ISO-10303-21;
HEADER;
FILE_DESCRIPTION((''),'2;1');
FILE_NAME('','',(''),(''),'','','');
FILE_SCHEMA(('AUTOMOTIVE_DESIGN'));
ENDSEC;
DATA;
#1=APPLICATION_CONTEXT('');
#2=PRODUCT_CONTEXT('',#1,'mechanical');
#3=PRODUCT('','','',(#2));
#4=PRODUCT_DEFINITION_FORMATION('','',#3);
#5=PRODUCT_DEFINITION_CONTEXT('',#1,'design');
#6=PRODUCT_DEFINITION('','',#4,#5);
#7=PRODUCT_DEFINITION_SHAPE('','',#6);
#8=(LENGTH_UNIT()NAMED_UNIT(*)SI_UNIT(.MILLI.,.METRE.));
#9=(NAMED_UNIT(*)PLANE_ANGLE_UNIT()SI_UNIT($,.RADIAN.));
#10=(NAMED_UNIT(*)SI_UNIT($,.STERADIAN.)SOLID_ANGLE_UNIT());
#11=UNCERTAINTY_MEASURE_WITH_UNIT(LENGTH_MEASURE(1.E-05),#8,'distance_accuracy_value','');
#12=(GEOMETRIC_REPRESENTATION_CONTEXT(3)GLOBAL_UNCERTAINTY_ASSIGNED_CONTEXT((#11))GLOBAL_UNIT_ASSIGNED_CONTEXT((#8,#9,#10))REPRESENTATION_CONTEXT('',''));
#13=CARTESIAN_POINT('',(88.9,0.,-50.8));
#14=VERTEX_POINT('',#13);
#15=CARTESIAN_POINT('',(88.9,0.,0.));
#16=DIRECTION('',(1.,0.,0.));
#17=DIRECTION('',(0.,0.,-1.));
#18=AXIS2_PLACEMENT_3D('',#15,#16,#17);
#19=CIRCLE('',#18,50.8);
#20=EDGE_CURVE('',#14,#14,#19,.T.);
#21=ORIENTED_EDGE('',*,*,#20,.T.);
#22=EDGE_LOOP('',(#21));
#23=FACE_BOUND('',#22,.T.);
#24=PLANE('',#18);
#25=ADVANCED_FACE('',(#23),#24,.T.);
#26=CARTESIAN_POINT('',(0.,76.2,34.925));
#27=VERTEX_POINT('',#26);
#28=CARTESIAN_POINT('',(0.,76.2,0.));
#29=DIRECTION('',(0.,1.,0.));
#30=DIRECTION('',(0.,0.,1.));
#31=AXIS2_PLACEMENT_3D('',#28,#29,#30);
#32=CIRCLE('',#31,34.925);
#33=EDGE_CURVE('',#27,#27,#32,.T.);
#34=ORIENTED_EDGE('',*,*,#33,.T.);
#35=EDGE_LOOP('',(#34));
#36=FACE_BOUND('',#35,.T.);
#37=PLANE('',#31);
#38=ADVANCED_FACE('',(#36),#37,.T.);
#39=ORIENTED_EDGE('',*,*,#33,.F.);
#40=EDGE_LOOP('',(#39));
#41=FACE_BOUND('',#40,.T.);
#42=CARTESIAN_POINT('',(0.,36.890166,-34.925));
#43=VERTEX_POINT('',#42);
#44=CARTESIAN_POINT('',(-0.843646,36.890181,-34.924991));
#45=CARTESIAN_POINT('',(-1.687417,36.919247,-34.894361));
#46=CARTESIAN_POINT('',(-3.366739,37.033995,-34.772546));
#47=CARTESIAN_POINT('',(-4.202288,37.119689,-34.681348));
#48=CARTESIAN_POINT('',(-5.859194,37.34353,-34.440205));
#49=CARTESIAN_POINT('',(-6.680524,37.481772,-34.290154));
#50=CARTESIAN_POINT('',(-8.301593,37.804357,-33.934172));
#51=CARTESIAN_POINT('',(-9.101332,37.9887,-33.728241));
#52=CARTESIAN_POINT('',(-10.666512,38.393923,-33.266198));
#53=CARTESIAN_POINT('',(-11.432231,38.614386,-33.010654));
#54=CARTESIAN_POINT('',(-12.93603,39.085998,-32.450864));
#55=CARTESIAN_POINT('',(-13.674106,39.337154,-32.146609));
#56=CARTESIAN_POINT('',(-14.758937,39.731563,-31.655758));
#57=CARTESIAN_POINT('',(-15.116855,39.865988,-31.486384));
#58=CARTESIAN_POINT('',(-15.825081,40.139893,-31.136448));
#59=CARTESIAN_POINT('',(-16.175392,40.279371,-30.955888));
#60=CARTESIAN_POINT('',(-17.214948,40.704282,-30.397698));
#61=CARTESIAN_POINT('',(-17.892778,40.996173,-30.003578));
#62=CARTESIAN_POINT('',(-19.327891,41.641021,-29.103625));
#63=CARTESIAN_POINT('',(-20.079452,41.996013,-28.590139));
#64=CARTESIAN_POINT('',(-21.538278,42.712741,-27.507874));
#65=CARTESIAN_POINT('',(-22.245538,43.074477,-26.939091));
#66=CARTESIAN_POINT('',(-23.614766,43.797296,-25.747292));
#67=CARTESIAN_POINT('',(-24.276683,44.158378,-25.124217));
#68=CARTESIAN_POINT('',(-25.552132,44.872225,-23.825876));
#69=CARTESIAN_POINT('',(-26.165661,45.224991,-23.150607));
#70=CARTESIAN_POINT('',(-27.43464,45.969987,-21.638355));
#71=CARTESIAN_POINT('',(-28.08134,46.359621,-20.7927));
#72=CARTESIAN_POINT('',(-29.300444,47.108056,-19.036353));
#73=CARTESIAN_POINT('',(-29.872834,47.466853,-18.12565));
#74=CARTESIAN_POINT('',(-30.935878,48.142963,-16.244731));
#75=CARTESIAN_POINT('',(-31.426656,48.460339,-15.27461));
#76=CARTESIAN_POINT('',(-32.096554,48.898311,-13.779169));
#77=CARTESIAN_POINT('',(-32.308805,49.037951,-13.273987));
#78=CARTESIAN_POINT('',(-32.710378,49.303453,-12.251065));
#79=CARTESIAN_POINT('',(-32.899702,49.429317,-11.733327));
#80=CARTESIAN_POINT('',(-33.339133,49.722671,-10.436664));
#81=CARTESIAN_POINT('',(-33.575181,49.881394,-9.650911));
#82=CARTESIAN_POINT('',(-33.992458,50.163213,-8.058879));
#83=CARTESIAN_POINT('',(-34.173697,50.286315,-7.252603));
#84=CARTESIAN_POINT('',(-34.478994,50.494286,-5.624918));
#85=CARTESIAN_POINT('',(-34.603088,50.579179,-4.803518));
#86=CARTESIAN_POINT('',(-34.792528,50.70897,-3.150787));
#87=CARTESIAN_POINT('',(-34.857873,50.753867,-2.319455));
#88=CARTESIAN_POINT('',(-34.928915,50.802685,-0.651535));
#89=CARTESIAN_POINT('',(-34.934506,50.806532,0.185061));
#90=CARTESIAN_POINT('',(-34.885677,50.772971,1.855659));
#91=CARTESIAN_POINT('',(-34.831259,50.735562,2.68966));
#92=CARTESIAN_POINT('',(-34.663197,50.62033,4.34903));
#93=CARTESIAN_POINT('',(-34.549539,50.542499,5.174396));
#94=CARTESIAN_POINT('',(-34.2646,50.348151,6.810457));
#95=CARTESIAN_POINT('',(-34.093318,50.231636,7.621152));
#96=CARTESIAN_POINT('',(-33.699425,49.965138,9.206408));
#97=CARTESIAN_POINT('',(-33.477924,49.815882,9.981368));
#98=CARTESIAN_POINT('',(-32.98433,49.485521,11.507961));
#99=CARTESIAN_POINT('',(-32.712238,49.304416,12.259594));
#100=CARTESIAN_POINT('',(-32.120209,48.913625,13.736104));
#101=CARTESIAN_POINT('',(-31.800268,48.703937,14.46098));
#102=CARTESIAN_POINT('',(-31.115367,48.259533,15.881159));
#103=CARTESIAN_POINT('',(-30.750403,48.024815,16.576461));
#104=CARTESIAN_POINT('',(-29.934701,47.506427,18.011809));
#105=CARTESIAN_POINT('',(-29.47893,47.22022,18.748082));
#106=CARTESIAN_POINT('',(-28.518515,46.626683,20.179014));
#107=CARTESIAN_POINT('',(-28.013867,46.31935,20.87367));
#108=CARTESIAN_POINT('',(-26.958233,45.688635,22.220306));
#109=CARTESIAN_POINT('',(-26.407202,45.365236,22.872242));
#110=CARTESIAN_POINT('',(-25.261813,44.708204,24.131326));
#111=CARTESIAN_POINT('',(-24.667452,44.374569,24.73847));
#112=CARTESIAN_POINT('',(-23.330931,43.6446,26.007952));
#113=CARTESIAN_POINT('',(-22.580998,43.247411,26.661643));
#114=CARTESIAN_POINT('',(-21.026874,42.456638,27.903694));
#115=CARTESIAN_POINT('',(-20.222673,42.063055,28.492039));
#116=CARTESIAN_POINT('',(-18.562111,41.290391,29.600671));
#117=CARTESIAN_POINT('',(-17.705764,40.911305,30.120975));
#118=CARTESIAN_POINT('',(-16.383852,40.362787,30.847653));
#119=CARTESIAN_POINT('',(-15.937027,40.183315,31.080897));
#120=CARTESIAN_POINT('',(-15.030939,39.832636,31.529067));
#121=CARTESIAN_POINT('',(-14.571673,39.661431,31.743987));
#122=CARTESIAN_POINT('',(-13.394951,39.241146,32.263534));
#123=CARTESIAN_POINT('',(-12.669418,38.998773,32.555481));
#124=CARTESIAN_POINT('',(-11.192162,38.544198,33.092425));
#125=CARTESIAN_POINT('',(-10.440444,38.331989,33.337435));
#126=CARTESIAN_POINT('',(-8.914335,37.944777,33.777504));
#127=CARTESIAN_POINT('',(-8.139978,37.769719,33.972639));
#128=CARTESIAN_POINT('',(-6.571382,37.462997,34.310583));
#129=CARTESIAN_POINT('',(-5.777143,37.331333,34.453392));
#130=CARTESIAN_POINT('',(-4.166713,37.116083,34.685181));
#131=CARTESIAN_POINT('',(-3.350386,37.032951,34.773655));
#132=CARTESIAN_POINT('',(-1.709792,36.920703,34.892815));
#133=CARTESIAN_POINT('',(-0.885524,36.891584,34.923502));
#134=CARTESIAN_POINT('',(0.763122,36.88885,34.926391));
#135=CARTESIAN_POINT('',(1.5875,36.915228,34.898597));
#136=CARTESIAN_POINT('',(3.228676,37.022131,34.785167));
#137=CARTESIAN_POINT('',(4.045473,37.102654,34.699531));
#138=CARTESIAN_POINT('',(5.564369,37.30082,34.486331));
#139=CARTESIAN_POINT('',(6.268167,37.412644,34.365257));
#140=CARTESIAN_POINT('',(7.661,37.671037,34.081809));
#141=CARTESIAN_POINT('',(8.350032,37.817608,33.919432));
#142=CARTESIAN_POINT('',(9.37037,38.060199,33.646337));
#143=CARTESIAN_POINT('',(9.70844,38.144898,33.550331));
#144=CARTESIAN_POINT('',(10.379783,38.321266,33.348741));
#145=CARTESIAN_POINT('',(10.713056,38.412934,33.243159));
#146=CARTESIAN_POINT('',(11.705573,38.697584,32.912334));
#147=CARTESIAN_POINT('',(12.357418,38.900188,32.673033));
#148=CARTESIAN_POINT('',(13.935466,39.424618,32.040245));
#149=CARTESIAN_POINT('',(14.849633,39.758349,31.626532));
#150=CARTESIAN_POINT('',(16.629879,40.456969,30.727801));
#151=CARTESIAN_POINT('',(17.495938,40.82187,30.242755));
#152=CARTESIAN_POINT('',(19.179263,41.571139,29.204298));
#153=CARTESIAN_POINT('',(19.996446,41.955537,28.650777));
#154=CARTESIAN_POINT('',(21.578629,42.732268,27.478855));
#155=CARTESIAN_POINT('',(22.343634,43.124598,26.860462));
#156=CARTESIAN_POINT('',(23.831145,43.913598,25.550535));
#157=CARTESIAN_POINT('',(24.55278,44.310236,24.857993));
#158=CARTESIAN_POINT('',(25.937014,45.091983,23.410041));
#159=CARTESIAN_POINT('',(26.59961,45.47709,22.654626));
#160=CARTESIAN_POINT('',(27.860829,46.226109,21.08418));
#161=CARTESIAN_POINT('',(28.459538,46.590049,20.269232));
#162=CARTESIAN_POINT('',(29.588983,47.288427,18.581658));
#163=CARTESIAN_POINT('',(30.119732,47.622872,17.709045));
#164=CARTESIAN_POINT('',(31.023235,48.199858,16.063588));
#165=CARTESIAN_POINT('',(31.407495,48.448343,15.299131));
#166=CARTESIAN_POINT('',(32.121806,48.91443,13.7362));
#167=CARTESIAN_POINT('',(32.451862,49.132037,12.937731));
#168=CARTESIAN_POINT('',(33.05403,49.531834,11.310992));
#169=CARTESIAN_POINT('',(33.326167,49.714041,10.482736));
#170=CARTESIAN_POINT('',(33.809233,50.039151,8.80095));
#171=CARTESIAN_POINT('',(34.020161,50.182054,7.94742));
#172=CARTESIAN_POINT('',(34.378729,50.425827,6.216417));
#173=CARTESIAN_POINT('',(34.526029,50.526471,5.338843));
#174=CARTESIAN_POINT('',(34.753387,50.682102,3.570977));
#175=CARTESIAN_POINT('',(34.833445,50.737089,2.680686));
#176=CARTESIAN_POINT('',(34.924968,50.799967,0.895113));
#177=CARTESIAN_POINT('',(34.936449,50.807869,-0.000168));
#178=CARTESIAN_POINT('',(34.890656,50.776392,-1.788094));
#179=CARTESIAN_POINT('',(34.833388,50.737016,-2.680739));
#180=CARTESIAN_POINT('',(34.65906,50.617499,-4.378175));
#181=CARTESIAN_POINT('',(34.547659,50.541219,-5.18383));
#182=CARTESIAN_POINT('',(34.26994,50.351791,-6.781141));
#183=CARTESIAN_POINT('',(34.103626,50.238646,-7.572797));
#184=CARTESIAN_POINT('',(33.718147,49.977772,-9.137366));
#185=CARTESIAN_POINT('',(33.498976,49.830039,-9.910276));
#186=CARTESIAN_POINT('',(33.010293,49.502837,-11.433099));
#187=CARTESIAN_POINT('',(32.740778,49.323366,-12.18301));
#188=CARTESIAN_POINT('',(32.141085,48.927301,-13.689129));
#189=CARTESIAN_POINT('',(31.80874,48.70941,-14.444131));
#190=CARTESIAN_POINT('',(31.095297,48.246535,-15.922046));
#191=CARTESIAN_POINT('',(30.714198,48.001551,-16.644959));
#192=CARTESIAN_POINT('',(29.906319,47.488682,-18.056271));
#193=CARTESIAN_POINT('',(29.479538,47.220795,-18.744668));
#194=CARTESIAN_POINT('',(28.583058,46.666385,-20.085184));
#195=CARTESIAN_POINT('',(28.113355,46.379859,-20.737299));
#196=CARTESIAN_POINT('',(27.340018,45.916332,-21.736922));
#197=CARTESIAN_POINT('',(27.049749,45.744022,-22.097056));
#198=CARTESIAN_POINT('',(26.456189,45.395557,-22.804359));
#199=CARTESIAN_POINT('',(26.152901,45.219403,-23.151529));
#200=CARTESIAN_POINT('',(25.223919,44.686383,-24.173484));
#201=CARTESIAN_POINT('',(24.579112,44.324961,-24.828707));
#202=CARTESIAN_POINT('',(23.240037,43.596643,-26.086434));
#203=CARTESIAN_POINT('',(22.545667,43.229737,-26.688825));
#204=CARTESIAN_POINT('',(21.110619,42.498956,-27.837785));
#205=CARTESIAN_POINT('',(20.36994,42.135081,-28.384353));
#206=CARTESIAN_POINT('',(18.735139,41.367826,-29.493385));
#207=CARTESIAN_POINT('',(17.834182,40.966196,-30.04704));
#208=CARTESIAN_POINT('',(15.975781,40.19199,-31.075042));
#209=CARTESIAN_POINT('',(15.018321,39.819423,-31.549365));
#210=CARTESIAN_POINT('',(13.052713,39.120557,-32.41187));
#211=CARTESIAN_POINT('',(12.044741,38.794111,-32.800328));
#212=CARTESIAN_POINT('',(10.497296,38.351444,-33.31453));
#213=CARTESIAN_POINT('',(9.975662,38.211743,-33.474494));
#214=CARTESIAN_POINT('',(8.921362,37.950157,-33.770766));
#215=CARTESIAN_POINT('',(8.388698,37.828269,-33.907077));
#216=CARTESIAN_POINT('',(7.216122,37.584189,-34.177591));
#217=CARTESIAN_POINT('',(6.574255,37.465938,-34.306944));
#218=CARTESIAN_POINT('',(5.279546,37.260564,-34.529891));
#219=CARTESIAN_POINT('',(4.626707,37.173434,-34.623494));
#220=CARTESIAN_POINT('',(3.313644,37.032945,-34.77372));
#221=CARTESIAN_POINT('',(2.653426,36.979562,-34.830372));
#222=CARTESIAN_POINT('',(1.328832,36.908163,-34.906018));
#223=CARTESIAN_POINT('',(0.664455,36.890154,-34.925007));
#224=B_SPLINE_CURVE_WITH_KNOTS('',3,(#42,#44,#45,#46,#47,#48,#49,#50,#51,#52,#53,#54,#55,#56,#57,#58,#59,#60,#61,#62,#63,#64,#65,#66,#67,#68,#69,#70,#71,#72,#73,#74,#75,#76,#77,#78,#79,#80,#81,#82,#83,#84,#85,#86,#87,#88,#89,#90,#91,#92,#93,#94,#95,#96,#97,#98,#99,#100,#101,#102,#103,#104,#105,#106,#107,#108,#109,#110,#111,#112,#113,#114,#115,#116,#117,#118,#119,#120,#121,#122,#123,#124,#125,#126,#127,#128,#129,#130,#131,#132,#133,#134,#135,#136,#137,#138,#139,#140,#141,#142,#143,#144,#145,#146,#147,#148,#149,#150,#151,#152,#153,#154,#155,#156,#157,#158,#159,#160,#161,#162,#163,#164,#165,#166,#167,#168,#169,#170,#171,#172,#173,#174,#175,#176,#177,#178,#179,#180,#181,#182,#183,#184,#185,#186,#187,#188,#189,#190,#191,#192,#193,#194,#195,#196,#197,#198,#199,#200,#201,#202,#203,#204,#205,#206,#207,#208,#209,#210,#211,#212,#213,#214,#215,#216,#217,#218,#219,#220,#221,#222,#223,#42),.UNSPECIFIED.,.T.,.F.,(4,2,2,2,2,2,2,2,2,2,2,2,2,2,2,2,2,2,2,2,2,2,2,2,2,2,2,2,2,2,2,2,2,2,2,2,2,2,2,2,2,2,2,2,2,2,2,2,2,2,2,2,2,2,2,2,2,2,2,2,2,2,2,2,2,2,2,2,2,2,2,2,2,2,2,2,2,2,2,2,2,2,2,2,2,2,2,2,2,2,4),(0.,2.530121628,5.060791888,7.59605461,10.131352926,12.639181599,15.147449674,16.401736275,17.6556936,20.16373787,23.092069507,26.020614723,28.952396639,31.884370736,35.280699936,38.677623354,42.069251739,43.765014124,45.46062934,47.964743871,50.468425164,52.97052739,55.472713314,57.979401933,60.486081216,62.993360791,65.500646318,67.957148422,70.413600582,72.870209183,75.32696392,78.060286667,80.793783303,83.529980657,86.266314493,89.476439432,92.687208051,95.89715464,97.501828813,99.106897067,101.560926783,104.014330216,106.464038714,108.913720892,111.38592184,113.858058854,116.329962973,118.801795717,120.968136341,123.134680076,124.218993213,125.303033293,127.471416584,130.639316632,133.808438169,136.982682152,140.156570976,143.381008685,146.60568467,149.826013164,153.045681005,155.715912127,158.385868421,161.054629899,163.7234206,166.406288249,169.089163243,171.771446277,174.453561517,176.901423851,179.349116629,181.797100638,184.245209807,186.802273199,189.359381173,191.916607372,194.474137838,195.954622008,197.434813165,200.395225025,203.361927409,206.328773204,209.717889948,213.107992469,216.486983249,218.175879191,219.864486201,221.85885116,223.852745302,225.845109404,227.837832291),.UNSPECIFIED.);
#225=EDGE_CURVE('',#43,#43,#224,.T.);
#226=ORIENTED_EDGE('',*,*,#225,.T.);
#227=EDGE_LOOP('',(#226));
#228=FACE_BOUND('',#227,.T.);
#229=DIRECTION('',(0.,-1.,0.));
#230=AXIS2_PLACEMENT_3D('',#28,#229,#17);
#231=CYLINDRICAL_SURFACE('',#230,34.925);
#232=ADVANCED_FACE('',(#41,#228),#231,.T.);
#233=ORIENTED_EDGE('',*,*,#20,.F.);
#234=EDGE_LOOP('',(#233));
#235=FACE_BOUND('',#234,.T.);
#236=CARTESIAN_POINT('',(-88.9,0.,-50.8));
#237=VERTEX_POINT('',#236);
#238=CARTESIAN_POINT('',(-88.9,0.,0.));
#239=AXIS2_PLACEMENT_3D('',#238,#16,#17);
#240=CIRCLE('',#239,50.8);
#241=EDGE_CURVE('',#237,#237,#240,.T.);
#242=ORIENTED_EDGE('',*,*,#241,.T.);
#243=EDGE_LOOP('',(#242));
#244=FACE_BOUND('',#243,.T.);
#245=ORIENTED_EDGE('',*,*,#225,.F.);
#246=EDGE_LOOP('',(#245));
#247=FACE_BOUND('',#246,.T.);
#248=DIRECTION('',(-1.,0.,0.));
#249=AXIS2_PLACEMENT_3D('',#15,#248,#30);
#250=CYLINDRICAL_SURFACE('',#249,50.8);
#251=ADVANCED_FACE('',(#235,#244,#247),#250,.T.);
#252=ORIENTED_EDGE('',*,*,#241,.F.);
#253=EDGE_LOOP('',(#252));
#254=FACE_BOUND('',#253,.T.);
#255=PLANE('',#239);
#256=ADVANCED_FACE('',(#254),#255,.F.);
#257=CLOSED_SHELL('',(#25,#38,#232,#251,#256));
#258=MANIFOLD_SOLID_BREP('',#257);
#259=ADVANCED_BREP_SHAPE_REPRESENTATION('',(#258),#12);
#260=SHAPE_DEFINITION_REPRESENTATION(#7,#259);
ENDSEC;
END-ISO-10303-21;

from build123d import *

# Parameters (mm, degrees)
SKETCH1_R           = 50.8
BOSS_EXTRUDE1_DEPTH = 88.9
SKETCH2_R           = 34.925
BOSS_EXTRUDE2_DEPTH = 76.2


with BuildPart() as part:
    # Sketch1 → Boss-Extrude1 (new, symmetric)
    with BuildSketch(Plane(origin=(0, 0, 0), x_dir=(0, 0, -1), z_dir=(1, 0, 0))):
        Circle(SKETCH1_R)
    extrude(amount=BOSS_EXTRUDE1_DEPTH, both=True)

    # Sketch2 → Boss-Extrude2 (add)
    with BuildSketch(Plane(origin=(0, 0, 0), x_dir=(1, 0, 0), z_dir=(0, 1, 0))):
        with Locations(Location((0, 0, 0), (0, 0, 90))):
            Circle(SKETCH2_R)
    extrude(amount=BOSS_EXTRUDE2_DEPTH)


solid = part.part
